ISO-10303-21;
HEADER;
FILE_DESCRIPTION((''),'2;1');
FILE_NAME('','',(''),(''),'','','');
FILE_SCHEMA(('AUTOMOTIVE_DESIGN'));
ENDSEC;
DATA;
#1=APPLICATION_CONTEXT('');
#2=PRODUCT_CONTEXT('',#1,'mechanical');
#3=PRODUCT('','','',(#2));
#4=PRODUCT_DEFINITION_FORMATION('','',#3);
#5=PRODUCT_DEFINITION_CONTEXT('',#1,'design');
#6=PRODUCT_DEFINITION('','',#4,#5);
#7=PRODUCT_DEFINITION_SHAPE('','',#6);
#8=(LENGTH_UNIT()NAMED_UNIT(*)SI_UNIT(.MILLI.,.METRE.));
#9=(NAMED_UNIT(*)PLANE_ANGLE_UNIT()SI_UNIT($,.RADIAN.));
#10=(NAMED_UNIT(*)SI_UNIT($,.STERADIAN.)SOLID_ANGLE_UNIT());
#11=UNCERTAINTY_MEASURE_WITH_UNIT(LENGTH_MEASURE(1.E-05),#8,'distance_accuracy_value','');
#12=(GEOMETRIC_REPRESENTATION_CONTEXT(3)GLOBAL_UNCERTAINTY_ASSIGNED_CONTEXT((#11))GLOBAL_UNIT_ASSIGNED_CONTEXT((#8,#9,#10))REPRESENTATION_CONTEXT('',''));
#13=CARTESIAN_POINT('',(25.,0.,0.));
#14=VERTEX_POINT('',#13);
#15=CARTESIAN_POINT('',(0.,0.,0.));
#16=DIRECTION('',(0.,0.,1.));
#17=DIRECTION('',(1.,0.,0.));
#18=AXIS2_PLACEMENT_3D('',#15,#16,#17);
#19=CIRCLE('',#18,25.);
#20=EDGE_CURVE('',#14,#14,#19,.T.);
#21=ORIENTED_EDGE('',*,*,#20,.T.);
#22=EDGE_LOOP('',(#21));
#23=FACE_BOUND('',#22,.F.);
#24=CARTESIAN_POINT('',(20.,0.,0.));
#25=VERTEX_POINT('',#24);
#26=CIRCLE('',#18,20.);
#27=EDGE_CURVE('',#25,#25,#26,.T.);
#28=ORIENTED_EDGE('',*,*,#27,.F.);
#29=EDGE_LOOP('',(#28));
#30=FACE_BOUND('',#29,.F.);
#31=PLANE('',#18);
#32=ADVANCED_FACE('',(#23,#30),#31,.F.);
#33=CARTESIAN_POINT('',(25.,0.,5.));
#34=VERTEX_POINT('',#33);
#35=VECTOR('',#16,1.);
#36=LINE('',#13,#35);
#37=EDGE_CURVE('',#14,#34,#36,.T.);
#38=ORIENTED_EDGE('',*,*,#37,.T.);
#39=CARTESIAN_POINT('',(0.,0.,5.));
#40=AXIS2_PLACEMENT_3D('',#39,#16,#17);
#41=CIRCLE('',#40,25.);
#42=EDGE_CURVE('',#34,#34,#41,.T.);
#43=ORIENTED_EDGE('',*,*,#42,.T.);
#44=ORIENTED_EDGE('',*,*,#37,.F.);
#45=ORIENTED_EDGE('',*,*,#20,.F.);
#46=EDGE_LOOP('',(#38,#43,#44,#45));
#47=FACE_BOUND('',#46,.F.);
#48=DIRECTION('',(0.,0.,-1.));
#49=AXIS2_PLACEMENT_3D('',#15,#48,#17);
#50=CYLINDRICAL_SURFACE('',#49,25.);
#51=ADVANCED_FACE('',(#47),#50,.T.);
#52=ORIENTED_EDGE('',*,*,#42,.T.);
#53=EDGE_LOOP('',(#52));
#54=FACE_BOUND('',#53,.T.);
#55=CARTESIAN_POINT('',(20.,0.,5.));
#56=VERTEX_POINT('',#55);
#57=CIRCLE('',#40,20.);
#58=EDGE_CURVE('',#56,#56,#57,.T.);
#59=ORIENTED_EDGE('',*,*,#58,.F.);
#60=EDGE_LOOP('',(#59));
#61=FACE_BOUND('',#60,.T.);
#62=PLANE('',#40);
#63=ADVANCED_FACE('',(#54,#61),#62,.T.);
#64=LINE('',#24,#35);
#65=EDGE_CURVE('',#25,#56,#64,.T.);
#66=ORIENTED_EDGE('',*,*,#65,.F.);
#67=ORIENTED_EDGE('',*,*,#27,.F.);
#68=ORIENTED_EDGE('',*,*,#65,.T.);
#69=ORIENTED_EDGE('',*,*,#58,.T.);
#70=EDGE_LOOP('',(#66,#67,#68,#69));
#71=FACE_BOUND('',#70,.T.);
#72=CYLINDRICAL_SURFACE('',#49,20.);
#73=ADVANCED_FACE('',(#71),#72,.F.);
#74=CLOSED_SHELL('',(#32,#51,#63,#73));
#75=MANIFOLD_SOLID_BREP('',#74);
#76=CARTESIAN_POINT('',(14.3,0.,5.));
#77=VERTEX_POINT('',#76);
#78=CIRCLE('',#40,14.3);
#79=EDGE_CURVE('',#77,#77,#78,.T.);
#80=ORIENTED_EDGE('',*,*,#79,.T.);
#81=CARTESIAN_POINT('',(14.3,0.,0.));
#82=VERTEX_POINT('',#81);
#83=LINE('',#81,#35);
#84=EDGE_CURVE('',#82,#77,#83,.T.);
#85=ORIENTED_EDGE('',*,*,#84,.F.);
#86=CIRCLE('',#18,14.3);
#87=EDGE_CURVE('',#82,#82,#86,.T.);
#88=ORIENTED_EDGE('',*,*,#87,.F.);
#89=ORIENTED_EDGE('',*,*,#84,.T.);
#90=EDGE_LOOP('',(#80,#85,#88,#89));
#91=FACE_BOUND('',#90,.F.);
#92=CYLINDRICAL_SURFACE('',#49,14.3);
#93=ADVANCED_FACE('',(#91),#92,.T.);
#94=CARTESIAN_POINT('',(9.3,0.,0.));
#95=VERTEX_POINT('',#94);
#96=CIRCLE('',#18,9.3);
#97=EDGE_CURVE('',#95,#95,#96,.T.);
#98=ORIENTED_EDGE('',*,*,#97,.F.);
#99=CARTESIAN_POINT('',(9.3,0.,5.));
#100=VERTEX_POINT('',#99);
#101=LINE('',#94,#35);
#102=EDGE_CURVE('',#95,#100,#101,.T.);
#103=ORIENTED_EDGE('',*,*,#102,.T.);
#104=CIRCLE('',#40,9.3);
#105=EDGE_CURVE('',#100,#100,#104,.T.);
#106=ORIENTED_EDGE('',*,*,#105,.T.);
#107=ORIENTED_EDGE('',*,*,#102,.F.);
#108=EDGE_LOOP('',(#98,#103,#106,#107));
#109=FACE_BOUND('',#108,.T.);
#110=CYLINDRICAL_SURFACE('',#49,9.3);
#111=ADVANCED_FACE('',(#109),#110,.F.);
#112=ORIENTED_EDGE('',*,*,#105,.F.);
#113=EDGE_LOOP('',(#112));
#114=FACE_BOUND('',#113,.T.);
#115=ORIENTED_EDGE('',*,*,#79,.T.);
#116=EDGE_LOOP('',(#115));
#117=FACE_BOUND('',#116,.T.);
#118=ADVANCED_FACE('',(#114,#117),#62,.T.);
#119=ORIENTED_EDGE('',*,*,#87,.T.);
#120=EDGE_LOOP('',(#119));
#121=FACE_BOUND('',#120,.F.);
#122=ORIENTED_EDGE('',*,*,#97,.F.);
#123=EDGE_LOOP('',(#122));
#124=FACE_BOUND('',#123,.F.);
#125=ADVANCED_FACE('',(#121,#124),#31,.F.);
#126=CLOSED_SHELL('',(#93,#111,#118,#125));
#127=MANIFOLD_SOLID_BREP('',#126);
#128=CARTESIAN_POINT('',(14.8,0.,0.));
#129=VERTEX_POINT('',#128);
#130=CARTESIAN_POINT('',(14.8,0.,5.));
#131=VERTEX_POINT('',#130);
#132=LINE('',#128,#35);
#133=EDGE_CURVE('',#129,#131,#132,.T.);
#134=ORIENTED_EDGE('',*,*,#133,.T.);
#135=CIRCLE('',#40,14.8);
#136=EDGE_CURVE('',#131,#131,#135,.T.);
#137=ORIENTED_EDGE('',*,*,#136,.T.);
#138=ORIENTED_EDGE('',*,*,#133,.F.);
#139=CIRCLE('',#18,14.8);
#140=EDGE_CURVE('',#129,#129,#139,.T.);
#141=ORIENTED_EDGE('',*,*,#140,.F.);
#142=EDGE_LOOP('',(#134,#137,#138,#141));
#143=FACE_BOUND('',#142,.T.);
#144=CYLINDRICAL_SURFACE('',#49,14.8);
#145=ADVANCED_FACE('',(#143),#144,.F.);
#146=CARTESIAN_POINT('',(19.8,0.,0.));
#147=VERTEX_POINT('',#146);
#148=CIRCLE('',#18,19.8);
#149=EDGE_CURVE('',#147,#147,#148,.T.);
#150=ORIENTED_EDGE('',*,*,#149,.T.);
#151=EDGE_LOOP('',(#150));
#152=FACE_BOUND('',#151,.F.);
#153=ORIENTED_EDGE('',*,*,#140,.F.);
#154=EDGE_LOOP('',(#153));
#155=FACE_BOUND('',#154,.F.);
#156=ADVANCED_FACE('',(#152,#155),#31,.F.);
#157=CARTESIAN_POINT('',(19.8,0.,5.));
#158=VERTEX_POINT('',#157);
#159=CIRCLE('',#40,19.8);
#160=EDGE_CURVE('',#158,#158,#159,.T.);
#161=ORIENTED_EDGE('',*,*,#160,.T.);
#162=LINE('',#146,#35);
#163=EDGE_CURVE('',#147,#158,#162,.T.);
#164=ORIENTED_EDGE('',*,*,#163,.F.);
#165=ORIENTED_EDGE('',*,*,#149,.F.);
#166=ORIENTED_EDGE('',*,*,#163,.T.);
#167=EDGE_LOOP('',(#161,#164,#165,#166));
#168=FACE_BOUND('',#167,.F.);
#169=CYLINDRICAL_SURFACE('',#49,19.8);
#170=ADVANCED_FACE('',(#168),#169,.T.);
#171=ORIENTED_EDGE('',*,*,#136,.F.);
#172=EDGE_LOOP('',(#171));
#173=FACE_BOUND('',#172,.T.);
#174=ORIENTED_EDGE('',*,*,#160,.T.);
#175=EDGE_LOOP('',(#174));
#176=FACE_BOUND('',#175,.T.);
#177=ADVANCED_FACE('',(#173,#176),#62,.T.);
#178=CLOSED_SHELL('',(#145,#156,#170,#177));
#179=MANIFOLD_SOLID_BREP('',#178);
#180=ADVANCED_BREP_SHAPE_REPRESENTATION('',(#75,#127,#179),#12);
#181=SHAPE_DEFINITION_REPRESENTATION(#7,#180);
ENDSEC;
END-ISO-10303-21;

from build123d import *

# Parameters (mm, degrees)
F0_R     = 25
F0_R_2   = 20
F0_R_3   = 19.8
F0_R_4   = 14.8
F0_R_5   = 14.3
F0_R_6   = 9.3
F1_DEPTH = 5


with BuildPart() as f1:
    # F0 (on Top) → F1 (new body)
    with BuildSketch(Plane.XY):
        Circle(F0_R)
        Circle(F0_R_2, mode=Mode.SUBTRACT)
        Circle(F0_R_3)
        Circle(F0_R_4, mode=Mode.SUBTRACT)
        Circle(F0_R_5)
        Circle(F0_R_6, mode=Mode.SUBTRACT)
    extrude(amount=F1_DEPTH)


solid = f1.part
